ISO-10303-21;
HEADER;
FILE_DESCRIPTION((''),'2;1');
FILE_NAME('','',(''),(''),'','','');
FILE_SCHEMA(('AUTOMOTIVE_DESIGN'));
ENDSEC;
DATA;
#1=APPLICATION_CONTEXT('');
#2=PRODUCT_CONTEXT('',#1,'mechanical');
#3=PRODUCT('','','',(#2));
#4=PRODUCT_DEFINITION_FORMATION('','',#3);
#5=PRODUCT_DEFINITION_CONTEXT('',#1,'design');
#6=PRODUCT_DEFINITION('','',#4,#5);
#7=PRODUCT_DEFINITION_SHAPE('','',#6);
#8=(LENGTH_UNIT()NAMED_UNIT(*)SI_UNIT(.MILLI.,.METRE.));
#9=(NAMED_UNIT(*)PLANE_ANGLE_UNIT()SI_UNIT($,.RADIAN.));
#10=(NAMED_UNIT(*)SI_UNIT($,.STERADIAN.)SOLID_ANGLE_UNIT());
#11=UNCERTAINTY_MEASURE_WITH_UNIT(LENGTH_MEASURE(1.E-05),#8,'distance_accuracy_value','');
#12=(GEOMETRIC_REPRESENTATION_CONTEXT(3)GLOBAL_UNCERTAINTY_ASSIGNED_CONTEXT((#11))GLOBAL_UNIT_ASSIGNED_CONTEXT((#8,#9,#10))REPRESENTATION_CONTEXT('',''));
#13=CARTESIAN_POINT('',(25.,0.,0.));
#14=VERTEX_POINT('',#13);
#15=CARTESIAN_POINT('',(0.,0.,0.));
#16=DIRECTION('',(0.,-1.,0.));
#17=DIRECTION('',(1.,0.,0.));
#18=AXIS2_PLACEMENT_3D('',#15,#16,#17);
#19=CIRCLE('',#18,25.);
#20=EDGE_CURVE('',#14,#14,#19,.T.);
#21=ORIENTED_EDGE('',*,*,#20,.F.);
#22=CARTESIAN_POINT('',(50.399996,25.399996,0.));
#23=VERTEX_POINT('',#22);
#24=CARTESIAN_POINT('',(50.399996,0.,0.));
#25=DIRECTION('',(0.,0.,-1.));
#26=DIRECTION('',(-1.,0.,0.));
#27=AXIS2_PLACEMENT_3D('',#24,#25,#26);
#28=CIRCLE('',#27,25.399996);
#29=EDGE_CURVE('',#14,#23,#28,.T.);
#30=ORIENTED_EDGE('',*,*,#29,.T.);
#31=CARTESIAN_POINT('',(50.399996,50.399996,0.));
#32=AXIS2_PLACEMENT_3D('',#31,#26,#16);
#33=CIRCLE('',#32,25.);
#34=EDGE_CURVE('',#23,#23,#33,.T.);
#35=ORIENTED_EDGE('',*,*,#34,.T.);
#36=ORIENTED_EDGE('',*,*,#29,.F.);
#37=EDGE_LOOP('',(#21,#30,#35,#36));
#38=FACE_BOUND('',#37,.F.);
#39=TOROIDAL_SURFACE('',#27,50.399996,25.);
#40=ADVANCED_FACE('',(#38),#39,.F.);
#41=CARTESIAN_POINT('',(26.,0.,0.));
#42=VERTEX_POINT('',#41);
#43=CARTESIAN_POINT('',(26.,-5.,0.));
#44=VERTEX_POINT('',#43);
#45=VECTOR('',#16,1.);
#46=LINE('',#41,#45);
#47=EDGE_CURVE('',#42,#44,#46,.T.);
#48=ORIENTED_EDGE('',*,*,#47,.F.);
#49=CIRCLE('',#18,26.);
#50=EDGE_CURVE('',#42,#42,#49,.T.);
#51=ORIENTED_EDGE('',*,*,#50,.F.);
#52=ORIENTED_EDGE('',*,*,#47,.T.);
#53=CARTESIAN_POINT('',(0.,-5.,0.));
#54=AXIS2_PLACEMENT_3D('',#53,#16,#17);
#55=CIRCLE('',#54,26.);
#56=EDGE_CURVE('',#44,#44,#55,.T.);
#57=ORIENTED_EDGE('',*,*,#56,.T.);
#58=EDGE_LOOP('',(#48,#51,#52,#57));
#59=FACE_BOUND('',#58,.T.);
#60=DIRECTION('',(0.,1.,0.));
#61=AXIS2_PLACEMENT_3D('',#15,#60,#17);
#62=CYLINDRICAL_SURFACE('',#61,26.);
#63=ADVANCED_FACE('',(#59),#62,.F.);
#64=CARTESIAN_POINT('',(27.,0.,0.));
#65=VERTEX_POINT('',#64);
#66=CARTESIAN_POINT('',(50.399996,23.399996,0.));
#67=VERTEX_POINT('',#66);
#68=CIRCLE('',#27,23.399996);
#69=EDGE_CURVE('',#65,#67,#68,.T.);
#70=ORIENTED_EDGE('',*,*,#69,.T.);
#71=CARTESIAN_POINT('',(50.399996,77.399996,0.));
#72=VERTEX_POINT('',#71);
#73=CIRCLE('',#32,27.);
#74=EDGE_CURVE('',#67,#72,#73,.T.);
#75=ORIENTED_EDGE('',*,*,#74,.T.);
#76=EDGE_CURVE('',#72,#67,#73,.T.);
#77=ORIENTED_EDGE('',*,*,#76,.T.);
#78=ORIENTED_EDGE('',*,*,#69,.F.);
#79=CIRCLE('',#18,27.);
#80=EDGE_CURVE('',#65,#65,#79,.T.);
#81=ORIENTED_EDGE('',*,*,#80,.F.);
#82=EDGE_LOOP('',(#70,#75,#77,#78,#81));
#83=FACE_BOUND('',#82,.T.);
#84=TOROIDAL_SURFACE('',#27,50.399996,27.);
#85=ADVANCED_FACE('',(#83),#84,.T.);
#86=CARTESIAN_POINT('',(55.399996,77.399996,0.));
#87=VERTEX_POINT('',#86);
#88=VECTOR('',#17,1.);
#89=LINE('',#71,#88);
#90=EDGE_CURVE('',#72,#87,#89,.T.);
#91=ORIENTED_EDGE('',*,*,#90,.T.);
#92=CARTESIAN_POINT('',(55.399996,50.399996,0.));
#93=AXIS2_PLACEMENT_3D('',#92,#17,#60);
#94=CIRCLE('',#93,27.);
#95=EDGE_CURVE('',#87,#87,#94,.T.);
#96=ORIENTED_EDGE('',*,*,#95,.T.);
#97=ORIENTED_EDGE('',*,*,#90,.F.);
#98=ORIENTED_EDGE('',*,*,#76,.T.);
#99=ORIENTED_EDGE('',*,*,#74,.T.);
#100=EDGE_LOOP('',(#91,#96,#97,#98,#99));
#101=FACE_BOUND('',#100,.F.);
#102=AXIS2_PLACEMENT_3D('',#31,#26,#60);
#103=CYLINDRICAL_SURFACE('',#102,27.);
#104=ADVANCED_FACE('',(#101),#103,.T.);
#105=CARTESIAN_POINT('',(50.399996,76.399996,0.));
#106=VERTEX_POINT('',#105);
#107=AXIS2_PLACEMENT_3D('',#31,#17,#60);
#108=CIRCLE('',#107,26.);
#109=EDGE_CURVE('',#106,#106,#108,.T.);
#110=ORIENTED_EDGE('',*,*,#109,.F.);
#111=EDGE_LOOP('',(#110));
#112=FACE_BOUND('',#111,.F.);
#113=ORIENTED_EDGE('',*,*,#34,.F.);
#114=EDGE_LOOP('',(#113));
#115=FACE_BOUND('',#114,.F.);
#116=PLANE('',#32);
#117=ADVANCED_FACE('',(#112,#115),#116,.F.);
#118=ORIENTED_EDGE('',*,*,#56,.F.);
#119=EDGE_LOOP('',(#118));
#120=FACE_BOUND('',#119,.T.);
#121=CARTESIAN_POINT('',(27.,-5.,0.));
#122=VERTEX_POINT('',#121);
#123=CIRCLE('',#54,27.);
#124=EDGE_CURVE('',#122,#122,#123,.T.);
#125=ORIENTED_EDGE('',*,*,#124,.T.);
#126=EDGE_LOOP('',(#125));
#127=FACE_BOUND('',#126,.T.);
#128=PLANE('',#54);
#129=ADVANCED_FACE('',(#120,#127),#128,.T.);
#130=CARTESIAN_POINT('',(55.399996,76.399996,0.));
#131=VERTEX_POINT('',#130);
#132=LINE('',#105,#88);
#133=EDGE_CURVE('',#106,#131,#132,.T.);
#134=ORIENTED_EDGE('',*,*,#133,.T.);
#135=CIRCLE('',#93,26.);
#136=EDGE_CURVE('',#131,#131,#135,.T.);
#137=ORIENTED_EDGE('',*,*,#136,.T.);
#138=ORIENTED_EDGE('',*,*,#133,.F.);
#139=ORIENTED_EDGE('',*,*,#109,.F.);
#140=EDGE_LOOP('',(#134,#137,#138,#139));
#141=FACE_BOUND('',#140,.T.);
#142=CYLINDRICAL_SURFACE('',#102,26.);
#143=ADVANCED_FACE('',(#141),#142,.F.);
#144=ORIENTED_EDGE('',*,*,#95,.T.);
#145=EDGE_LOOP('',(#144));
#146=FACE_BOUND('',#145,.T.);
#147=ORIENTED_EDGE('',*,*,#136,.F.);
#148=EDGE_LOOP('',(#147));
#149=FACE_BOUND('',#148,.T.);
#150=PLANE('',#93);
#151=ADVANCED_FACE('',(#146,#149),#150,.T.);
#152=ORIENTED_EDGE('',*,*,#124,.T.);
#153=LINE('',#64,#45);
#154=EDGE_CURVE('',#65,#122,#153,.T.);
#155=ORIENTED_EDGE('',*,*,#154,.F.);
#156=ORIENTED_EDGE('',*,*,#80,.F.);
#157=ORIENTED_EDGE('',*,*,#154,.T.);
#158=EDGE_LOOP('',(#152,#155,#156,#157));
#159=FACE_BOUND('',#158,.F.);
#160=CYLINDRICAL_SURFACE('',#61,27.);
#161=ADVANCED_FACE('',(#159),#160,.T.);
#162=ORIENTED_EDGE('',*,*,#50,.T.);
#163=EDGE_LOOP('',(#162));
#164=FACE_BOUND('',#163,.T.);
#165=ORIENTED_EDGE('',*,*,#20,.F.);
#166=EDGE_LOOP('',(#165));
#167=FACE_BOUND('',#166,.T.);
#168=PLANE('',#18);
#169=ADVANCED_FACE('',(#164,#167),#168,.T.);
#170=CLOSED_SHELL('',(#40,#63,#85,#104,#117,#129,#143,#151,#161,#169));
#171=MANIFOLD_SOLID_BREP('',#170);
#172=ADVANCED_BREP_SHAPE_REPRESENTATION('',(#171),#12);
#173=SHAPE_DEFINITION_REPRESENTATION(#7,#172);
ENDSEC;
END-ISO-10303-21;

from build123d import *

# Parameters (mm, degrees)
F0_R     = 27
F0_R_2   = 25
F1_ANGLE = 90
F2_R     = 27
F2_R_2   = 26
F3_DEPTH = 5
F4_R     = 27
F4_R_2   = 26
F5_DEPTH = 5


with BuildPart() as f1:
    # F0 (on Front) → F1 (revolve)
    with BuildSketch(Plane.XZ):
        Circle(F0_R)
        Circle(F0_R_2, mode=Mode.SUBTRACT)
    revolve(axis=Axis((50.399996, 0, -9.491349), (0, 0, -1)), revolution_arc=F1_ANGLE)

    # F2 (on Front) → F3 (join)
    with BuildSketch(Plane.XZ):
        Circle(F2_R)
        Circle(F2_R_2, mode=Mode.SUBTRACT)
    extrude(amount=F3_DEPTH)

    # F4 (on face) → F5 (join)
    with BuildSketch(Plane.YZ.offset(50.399996)):
        with Locations((50.399996, 0)):
            Circle(F4_R)
        with Locations((50.399996, 0)):
            Circle(F4_R_2, mode=Mode.SUBTRACT)
    extrude(amount=F5_DEPTH)


solid = f1.part
